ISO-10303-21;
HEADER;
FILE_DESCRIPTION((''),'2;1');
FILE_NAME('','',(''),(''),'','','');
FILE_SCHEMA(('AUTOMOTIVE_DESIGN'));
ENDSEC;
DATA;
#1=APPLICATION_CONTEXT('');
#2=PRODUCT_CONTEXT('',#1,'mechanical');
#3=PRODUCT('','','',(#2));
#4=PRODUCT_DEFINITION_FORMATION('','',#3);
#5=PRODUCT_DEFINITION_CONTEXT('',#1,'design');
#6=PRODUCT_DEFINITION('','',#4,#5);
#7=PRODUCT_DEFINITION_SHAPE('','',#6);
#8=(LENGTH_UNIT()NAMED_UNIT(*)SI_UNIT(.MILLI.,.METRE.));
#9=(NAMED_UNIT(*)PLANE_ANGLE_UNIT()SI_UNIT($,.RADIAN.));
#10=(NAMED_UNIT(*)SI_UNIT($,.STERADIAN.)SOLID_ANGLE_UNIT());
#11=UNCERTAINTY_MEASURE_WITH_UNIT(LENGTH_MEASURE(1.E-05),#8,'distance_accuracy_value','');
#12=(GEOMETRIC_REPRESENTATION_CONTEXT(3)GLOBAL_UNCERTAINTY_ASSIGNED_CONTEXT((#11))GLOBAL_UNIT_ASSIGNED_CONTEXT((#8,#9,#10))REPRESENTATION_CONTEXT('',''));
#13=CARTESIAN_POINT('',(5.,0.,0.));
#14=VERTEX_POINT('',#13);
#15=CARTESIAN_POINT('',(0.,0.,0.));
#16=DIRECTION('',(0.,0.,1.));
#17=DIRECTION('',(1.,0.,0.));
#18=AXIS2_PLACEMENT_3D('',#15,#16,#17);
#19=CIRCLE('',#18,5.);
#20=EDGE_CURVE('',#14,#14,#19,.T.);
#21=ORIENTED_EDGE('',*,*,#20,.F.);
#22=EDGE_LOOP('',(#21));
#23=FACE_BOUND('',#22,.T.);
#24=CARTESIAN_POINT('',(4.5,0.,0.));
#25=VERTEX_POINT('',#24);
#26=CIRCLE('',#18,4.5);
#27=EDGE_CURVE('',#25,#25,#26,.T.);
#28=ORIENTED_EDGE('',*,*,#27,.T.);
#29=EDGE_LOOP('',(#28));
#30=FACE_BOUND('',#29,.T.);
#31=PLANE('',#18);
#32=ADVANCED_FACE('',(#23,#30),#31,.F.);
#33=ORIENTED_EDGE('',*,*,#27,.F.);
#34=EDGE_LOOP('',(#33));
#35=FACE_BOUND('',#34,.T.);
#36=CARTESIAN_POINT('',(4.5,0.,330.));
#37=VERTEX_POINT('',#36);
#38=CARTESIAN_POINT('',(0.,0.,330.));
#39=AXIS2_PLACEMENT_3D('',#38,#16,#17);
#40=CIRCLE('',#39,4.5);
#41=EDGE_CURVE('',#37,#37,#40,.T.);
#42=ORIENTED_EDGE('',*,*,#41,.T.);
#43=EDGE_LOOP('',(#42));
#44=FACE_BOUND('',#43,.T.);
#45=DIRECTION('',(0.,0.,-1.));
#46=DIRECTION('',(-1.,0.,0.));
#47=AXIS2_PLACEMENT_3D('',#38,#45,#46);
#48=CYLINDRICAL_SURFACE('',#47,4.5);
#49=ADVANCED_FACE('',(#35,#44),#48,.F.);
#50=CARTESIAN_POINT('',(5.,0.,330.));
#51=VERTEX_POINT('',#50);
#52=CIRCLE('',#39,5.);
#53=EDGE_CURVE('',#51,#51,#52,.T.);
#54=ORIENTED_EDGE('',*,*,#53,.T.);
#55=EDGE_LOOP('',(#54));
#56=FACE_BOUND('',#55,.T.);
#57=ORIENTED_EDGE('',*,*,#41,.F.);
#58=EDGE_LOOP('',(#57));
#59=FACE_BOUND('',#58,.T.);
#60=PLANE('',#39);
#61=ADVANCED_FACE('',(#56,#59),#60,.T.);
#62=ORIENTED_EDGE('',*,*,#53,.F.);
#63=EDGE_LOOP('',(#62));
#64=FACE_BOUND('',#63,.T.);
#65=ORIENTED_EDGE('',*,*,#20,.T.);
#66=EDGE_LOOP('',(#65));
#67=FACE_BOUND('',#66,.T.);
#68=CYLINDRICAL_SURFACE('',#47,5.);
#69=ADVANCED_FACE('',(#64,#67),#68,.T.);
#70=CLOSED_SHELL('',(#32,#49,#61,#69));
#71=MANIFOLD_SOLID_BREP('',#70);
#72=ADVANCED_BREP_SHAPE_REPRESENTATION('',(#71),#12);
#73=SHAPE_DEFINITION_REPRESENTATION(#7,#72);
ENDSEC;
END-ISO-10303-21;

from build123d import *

# Parameters (mm, degrees)
SKIZZE1_R                       = 5
SKIZZE1_R_2                     = 4.5
AUFSATZ_LINEAR_AUSTRAGEN1_DEPTH = 330


with BuildPart() as part:
    # Skizze1 → Aufsatz-Linear austragen1 (new body)
    with BuildSketch(Plane.XY):
        Circle(SKIZZE1_R)
        Circle(SKIZZE1_R_2, mode=Mode.SUBTRACT)
    extrude(amount=AUFSATZ_LINEAR_AUSTRAGEN1_DEPTH)


solid = part.part
